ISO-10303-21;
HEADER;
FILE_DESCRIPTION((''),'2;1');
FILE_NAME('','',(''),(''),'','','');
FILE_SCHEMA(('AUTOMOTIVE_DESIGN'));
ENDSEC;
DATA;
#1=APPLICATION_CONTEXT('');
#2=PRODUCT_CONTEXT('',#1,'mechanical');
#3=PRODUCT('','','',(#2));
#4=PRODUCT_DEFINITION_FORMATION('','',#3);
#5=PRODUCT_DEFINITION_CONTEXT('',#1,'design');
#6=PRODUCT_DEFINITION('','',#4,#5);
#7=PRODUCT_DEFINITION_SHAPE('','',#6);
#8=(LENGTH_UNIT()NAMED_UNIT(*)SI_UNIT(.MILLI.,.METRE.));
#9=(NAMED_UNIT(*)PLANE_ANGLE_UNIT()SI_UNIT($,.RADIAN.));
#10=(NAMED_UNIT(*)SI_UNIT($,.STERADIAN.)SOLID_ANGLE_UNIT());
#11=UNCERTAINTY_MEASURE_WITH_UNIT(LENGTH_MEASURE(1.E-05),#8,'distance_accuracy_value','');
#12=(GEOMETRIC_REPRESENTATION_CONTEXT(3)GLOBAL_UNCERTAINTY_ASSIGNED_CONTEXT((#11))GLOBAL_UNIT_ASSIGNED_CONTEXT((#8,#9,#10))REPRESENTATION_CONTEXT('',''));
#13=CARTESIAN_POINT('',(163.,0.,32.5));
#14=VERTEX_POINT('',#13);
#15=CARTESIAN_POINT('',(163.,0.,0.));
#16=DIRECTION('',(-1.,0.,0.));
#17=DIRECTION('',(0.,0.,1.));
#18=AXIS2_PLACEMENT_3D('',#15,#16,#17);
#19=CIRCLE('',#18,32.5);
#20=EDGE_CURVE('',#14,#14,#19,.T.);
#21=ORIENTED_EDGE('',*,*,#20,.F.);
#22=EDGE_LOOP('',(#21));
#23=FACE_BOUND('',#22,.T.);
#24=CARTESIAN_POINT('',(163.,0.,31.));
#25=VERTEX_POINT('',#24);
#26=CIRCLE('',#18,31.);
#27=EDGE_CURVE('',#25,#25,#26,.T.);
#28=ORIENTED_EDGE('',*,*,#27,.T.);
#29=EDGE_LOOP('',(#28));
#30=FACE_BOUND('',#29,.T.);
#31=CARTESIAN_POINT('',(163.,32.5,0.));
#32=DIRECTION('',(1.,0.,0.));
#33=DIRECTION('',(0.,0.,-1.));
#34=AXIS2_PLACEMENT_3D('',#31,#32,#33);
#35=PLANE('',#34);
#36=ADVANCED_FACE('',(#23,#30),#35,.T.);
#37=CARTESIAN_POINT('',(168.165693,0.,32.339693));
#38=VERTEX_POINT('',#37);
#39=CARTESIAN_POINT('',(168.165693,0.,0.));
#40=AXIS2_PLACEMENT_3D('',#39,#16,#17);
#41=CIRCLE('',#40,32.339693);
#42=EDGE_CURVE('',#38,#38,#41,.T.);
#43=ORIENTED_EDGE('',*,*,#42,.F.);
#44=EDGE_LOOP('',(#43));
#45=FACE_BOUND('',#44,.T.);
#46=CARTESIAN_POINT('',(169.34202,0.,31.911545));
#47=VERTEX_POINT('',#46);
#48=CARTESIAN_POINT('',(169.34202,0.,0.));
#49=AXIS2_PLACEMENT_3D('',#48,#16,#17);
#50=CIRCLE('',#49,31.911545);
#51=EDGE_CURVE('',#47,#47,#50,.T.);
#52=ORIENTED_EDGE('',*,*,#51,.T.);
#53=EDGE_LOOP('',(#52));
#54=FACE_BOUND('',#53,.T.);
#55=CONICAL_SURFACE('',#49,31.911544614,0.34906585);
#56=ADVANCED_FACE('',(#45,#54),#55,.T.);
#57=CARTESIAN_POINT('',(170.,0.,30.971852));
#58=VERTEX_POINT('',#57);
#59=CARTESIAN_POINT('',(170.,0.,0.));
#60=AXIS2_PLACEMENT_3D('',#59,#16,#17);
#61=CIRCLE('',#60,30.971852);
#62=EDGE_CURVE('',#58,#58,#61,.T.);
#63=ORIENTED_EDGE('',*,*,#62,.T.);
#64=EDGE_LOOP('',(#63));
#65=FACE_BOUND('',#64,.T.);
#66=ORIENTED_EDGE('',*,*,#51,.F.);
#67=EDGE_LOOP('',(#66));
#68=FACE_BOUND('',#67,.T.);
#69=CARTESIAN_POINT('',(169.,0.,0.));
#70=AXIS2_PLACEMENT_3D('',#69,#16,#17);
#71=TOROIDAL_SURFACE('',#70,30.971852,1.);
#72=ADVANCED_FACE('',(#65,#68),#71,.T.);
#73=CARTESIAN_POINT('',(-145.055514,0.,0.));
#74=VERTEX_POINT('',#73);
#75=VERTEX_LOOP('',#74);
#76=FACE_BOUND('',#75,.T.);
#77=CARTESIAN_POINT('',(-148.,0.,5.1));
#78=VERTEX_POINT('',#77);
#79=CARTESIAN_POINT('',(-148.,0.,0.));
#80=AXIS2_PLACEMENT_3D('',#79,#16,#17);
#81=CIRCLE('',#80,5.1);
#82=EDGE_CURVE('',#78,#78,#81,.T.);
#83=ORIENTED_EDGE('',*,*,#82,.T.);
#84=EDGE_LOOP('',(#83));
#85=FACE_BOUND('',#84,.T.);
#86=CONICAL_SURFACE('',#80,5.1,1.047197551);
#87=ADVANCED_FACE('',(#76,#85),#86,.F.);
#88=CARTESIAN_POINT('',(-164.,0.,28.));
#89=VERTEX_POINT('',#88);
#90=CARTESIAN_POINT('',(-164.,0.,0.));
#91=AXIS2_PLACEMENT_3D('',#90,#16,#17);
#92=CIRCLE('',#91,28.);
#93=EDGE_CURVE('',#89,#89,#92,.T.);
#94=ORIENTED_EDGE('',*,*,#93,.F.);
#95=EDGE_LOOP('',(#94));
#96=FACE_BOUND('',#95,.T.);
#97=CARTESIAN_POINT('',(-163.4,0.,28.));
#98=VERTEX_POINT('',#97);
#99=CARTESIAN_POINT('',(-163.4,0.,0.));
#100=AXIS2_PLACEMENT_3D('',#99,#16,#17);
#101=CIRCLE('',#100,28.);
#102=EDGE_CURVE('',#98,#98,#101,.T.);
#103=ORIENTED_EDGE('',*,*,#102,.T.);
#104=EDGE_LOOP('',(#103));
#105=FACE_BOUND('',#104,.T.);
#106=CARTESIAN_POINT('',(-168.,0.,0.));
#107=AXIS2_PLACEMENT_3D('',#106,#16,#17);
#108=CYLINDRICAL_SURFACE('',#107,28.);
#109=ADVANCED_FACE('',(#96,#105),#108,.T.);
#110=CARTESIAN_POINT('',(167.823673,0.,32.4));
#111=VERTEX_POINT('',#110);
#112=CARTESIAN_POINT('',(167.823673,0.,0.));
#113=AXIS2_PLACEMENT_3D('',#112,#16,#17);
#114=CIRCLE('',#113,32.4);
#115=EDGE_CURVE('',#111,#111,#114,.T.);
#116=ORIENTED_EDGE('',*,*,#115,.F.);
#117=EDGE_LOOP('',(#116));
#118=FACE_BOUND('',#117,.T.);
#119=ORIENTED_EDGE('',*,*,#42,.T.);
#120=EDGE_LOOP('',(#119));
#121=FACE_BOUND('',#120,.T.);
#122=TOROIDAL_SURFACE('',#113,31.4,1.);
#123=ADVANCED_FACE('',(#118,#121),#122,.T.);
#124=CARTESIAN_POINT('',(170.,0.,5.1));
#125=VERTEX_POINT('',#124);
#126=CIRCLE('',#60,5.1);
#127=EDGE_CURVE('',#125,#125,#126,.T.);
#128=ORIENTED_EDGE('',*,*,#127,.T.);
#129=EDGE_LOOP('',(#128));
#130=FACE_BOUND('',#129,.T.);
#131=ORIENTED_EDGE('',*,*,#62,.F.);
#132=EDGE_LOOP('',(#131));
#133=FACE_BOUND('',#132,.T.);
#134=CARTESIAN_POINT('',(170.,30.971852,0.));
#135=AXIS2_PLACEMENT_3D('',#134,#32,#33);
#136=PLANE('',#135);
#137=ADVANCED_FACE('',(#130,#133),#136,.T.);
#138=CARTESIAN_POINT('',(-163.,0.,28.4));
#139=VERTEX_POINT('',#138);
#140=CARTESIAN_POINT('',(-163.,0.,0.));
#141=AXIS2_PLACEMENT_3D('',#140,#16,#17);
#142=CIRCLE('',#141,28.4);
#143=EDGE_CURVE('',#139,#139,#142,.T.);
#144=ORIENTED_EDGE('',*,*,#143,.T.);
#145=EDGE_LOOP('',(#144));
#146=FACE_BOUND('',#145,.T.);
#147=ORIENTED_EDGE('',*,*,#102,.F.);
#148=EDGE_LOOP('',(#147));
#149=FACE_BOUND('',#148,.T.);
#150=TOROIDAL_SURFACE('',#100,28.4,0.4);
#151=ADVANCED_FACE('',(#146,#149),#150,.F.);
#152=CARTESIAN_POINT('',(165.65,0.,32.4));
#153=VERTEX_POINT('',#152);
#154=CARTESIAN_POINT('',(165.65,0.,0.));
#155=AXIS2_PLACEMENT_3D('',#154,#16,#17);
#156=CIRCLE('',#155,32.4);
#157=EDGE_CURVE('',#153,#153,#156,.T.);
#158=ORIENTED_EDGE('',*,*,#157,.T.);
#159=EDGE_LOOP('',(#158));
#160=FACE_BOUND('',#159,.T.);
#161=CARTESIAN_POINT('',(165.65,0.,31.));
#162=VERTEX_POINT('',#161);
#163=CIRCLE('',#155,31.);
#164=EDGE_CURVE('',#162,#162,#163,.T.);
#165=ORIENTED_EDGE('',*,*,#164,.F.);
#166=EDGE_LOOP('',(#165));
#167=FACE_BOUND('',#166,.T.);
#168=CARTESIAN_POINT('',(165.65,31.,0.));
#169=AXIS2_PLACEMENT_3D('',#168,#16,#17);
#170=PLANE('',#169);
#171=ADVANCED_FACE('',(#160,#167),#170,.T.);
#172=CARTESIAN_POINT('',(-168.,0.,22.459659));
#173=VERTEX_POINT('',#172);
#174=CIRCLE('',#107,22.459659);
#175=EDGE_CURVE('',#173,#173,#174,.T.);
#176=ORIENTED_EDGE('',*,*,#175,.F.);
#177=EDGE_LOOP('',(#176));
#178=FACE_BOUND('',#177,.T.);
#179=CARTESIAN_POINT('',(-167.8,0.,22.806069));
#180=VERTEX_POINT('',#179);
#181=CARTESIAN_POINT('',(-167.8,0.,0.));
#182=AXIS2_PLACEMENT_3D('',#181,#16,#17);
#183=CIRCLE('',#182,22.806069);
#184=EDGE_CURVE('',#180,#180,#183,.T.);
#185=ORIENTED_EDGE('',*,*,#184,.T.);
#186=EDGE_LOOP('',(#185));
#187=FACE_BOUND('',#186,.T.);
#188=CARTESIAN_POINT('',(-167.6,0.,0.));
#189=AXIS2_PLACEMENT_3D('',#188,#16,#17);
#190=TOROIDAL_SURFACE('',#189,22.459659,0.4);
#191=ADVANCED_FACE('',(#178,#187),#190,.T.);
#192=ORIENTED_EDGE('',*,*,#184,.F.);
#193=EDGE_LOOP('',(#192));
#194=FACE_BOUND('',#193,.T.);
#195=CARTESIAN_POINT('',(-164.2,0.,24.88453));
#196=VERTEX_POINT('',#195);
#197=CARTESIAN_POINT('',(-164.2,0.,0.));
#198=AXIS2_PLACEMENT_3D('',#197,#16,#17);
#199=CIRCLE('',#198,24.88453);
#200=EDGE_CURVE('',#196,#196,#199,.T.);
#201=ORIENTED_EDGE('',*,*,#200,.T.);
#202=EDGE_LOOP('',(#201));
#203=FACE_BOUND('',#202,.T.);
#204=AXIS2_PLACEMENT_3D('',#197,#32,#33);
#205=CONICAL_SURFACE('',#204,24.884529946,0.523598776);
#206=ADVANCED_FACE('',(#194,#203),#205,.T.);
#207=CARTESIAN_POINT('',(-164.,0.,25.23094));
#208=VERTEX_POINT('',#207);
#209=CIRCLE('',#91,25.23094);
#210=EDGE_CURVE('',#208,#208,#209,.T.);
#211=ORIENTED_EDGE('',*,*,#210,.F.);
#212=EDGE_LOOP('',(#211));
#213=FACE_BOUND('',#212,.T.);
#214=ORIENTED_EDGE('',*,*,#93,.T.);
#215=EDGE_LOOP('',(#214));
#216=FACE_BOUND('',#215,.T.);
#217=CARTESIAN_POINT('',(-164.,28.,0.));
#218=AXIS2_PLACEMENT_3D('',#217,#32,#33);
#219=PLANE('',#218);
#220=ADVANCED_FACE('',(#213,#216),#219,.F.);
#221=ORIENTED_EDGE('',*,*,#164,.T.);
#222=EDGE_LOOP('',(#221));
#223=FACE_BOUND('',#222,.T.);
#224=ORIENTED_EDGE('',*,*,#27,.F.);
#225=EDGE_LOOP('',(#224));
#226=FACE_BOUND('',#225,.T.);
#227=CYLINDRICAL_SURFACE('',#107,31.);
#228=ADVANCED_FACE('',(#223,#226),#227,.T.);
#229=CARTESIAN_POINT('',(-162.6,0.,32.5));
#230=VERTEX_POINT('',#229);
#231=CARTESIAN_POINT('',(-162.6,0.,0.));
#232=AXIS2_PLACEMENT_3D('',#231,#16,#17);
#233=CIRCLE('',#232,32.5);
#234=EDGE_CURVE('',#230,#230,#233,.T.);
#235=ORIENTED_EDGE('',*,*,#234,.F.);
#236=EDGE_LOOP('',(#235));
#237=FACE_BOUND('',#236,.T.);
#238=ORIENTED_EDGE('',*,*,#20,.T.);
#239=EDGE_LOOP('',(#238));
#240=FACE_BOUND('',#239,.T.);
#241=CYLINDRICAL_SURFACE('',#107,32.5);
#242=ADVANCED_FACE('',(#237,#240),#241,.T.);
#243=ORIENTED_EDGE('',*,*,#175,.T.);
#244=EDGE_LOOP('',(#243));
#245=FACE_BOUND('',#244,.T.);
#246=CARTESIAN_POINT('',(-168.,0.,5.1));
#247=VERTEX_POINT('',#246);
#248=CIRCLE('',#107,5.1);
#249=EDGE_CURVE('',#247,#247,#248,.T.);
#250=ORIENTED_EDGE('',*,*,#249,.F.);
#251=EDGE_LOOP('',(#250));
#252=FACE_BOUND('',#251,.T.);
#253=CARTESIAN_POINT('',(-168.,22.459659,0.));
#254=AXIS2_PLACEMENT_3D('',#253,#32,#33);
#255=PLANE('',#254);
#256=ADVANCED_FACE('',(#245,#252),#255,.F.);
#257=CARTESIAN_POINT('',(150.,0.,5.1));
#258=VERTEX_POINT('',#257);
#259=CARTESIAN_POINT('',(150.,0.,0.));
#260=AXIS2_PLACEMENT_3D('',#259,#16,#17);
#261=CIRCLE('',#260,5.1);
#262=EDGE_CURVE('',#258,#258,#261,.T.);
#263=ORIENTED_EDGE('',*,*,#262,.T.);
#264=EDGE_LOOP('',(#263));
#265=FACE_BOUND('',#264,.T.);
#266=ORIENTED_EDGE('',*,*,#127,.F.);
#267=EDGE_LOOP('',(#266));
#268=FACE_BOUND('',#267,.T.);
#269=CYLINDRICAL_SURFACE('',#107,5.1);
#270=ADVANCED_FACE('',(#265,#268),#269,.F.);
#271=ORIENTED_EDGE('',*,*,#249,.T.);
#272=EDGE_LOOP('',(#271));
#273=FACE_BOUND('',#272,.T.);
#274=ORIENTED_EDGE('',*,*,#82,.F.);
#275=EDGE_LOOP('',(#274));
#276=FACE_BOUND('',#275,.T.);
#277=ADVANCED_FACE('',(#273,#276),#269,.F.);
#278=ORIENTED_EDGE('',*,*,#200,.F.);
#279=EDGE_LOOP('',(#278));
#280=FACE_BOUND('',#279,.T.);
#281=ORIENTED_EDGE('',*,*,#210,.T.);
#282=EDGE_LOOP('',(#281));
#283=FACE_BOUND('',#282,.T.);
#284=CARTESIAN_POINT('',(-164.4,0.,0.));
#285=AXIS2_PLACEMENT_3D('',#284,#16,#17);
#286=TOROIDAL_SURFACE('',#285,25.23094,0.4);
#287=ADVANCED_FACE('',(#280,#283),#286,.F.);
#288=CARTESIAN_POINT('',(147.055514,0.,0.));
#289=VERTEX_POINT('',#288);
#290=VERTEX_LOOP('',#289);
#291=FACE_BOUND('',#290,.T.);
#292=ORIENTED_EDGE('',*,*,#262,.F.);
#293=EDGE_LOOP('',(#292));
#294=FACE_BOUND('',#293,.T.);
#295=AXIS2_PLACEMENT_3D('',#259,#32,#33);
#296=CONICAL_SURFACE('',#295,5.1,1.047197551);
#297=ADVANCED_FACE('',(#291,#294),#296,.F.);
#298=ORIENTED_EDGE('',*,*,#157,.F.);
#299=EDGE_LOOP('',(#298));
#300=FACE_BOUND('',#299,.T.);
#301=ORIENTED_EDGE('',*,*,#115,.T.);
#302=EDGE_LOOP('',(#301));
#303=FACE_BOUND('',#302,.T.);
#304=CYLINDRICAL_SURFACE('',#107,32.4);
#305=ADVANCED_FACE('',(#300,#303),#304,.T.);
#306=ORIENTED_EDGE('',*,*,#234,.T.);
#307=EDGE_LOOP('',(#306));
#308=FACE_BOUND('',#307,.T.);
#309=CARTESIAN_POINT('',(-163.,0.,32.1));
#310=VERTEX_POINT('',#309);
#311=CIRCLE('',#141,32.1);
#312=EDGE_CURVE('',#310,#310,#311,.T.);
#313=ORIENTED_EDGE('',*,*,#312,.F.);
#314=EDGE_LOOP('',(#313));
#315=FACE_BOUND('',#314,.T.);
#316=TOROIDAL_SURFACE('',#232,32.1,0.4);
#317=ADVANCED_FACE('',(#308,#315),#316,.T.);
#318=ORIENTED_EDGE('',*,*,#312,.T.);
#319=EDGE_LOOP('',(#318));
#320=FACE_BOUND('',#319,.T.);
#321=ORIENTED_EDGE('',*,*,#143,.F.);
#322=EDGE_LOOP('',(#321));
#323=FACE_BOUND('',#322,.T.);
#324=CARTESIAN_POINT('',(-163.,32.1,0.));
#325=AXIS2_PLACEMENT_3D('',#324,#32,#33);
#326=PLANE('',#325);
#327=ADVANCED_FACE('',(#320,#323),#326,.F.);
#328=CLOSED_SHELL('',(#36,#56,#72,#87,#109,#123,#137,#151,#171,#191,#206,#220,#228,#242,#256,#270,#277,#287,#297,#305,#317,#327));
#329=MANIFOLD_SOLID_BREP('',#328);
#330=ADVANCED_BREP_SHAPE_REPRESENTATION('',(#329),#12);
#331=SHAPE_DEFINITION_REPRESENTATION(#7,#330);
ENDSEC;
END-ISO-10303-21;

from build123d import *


with BuildPart() as part:
    # Sketch1 → Base-Revolve (revolve)
    with BuildSketch(Plane.XY):
        with BuildLine():
            Line((163, 32.5), (0, 32.5))
            Line((0, 32.5), (-162.6, 32.5))
            ThreePointArc((-162.6, 32.5), (-162.882842712, 32.382842712), (-163, 32.1))
            Line((-163, 32.1), (-163, 28.4))
            ThreePointArc((-163, 28.4), (-163.117157288, 28.117157288), (-163.4, 28))
            Line((-163.4, 28), (-164, 28))
            Line((-164, 28), (-164, 25.230940108))
            ThreePointArc((-164, 25.230940108), (-164.053589838, 25.030940108), (-164.2, 24.884529946))
            Line((-164.2, 24.884529946), (-167.8, 22.806068977))
            ThreePointArc((-167.8, 22.806068977), (-167.946410162, 22.659658816), (-168, 22.459658816))
            Line((-168, 22.459658816), (-168, 5.1))
            Line((-168, 5.1), (-148, 5.1))
            Line((-148, 5.1), (-145.055513627, 0))
            Line((-145.055513627, 0), (147.055513627, 0))
            Line((147.055513627, 0), (150, 5.1))
            Line((150, 5.1), (170, 5.1))
            Line((170, 5.1), (170, 30.971851993))
            ThreePointArc((170, 30.971851993), (169.819152044, 31.54542843), (169.342020143, 31.911544614))
            Line((169.342020143, 31.911544614), (168.165693163, 32.339692621))
            ThreePointArc((168.165693163, 32.339692621), (167.997321197, 32.384807753), (167.823673019, 32.4))
            Line((167.823673019, 32.4), (165.65, 32.4))
            Line((165.65, 32.4), (165.65, 31))
            Line((165.65, 31), (163, 31))
            Line((163, 31), (163, 32.5))
        make_face()
    revolve(axis=Axis((-168, 0, 0), (1, 0, 0)))


solid = part.part
